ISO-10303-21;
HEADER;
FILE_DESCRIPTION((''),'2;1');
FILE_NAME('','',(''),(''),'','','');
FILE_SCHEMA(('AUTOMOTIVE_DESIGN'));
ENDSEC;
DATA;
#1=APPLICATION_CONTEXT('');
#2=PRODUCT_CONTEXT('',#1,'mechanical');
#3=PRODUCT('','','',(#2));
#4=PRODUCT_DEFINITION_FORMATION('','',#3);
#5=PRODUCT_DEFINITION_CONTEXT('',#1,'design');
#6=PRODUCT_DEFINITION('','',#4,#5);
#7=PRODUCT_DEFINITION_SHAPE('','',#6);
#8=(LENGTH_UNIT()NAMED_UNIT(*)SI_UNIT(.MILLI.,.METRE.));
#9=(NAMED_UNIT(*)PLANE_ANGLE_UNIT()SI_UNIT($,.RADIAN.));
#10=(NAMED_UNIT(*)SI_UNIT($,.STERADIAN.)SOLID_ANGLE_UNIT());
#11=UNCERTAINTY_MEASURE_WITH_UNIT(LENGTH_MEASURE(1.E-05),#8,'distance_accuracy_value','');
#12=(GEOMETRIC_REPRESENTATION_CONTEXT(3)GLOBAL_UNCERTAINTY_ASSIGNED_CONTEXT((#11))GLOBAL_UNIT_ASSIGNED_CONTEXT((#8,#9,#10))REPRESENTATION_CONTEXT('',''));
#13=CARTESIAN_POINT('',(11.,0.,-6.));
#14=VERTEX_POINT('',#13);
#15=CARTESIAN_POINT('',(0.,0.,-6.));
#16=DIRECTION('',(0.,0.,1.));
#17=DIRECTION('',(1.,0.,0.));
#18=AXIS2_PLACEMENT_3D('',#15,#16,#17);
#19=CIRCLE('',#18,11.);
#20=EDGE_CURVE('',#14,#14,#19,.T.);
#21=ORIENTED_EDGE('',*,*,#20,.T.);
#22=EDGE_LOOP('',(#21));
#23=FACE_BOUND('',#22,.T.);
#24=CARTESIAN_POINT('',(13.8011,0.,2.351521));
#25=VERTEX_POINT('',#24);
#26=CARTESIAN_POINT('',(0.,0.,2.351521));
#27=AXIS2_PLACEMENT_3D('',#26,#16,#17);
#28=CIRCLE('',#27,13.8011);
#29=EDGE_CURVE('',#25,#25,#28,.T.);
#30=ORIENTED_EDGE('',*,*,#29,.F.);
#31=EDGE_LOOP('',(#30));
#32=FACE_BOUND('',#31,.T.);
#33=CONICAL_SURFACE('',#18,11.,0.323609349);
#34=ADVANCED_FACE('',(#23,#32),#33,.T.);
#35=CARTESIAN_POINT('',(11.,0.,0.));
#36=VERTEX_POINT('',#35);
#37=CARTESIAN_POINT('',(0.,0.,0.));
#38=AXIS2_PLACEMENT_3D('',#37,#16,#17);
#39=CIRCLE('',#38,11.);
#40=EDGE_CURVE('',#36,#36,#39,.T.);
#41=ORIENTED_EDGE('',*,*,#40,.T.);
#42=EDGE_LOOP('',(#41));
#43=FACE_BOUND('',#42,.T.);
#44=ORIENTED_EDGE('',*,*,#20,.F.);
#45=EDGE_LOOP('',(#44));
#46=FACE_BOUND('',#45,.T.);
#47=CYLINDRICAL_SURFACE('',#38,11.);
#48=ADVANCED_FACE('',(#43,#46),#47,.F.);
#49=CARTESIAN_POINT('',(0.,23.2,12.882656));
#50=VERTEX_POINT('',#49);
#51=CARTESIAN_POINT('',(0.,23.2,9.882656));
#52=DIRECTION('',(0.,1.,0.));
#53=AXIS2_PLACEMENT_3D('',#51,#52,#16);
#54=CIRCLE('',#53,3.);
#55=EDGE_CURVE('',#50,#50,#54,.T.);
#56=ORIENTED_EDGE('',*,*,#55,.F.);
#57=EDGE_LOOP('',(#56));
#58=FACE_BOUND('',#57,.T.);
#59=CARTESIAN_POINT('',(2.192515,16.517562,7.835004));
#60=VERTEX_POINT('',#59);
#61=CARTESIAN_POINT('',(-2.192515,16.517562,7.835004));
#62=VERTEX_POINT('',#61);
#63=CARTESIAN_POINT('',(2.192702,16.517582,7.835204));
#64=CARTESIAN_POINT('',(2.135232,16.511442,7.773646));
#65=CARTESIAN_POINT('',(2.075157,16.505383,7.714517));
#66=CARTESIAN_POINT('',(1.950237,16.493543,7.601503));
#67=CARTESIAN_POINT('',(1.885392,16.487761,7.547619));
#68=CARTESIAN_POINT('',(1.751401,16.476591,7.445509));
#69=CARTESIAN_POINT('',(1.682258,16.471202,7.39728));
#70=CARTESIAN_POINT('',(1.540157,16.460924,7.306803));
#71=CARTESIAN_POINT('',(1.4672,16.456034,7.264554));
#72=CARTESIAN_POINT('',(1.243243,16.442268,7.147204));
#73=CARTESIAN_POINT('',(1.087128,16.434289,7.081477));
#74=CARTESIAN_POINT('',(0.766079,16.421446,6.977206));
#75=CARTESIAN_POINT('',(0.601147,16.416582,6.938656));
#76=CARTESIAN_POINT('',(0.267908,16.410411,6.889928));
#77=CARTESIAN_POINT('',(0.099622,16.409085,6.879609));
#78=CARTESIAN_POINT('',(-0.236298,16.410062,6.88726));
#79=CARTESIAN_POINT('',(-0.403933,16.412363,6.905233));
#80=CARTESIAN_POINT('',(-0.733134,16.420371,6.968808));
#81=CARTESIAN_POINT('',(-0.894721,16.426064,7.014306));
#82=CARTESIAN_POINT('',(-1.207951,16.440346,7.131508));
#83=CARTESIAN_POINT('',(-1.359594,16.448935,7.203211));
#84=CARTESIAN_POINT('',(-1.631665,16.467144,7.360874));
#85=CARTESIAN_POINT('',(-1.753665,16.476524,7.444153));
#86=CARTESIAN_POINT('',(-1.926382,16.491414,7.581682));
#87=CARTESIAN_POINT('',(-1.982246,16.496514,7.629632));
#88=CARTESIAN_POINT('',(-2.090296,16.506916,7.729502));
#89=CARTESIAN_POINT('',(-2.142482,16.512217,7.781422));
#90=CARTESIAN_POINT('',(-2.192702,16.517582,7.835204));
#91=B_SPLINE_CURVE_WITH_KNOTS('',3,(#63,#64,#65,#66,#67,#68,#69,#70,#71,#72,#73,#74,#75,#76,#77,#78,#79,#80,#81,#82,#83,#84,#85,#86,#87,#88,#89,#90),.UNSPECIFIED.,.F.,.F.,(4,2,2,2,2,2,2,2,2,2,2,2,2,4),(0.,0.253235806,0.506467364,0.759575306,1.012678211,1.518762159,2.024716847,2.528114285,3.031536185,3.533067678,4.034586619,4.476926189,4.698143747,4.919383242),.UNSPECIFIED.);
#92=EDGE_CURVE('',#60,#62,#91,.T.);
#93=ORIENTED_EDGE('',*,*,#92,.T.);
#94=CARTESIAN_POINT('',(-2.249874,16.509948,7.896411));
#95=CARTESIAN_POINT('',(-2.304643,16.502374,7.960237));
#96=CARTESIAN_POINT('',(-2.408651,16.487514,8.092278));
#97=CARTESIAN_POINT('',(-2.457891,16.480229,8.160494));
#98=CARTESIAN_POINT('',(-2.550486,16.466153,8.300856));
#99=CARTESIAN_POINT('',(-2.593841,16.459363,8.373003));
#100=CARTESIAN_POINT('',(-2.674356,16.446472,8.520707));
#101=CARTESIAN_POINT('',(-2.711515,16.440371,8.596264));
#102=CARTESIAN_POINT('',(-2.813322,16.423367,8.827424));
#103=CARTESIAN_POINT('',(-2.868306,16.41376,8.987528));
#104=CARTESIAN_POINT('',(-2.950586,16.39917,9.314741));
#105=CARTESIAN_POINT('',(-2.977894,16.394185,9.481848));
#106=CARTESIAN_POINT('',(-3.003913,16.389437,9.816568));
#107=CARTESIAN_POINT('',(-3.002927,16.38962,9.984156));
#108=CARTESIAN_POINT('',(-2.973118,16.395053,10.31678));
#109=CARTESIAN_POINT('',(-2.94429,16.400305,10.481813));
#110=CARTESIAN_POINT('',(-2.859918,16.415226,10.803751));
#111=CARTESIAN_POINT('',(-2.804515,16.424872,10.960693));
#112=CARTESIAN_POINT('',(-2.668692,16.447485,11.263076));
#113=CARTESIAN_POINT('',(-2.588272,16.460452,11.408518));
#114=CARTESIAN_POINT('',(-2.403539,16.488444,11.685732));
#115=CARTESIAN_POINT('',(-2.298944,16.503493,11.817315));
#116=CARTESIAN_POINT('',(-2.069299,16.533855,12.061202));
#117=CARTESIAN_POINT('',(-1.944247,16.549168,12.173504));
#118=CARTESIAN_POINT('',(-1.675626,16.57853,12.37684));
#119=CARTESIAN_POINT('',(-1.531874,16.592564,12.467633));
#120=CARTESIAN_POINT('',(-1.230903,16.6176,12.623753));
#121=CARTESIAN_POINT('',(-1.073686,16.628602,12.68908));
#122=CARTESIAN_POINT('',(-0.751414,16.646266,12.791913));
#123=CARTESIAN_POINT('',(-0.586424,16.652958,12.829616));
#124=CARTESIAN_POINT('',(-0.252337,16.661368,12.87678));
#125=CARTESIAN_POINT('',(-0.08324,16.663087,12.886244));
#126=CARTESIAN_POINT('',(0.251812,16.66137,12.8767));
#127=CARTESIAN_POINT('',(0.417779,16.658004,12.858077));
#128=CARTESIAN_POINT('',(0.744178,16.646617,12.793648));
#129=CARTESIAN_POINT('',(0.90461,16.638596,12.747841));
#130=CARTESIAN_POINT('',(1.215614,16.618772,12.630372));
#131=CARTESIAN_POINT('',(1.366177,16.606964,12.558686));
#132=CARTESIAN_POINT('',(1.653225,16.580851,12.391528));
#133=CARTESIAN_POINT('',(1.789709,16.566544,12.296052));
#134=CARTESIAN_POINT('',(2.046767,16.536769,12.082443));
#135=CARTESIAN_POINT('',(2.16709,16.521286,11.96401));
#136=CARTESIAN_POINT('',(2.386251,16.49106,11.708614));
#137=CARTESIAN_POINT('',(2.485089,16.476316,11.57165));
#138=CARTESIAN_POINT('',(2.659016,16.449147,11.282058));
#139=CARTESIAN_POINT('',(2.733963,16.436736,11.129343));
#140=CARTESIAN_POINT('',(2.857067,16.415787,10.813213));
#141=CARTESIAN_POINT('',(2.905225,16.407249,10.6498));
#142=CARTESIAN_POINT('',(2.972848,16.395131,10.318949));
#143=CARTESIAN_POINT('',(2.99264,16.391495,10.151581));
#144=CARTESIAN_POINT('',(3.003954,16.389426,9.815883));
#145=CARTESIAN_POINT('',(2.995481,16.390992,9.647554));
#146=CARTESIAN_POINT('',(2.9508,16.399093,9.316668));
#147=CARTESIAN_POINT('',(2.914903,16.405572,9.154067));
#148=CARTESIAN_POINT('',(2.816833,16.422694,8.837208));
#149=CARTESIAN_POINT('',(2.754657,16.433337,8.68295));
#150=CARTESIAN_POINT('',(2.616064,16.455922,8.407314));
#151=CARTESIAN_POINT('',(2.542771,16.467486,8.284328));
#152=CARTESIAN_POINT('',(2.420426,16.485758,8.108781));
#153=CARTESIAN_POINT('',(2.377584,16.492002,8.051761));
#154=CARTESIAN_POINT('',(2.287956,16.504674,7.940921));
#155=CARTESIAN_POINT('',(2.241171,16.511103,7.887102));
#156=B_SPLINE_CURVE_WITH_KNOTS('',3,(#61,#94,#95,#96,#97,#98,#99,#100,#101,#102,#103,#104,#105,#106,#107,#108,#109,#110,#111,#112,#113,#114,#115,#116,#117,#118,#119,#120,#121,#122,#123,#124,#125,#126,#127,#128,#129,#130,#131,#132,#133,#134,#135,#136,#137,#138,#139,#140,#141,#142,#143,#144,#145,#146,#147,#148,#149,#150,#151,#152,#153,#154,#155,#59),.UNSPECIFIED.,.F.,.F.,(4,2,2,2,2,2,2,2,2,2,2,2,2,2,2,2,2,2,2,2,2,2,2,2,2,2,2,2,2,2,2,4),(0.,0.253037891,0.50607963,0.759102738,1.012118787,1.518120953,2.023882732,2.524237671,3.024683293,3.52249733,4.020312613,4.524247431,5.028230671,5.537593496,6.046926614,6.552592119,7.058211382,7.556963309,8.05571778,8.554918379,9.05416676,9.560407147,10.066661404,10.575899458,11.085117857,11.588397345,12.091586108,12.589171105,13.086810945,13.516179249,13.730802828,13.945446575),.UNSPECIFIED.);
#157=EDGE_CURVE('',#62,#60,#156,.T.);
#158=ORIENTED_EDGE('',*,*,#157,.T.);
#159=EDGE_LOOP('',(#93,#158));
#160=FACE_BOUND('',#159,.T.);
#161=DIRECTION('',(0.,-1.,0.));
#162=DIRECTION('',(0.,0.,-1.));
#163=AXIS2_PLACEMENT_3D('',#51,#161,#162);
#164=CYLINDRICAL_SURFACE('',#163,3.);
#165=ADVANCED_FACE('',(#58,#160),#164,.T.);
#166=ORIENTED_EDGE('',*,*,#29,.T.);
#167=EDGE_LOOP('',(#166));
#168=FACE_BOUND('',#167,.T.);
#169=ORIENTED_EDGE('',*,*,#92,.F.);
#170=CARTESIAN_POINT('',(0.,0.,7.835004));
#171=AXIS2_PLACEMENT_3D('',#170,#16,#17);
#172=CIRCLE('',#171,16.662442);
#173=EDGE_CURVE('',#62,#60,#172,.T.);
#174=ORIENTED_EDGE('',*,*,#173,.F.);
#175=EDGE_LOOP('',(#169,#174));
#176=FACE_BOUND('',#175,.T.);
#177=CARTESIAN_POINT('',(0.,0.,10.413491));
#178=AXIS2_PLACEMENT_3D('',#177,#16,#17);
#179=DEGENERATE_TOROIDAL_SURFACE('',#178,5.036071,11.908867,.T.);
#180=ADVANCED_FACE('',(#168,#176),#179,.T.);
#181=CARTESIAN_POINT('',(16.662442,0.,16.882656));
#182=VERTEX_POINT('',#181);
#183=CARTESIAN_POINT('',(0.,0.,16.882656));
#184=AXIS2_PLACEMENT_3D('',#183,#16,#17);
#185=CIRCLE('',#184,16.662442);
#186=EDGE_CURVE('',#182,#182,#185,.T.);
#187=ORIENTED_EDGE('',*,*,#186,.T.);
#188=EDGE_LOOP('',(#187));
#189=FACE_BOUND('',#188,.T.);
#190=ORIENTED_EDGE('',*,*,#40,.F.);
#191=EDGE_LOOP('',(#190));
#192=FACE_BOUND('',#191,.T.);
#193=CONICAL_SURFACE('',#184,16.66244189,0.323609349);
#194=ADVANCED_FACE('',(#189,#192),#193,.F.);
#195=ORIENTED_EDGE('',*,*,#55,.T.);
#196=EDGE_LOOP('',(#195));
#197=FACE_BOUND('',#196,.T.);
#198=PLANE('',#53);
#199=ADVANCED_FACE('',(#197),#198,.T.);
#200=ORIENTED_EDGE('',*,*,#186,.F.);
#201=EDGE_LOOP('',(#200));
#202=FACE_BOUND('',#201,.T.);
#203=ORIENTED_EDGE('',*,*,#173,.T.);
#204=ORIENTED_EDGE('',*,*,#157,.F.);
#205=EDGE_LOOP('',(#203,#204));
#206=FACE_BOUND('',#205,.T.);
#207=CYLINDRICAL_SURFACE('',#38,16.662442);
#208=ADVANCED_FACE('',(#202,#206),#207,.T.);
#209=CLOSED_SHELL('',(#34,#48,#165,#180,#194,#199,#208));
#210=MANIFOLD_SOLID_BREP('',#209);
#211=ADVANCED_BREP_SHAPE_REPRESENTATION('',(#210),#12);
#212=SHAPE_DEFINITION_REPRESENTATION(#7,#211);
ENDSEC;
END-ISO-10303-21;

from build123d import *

# Parameters (mm, degrees)
BOSS_EXTRUDE1_START = 16.2
SKETCH3_R           = 3
BOSS_EXTRUDE1_DEPTH = 7


with BuildPart() as part:
    # Sketch2 → Revolve1 (revolve)
    with BuildSketch(Plane(origin=(0, 0, 0), x_dir=(1, 0, 0), z_dir=(0, 1, 0)), mode=Mode.PRIVATE) as revolve1_sk:
        with BuildLine():
            Line((-11, 0), (-11, 6))
            Line((-11, 6), (-13.801099595, -2.351520775))
            ThreePointArc((-13.801099595, -2.351520775), (-15.59397994, -4.904257833), (-16.66244189, -7.835004407))
            Line((-16.66244189, -7.835004407), (-16.66244189, -16.882656067))
            Line((-16.66244189, -16.882656067), (-11, 0))
        make_face()
    revolve(revolve1_sk.sketch.rotate(Axis((0, 0, 0), (0, 0, -1)), 180), axis=Axis((0, 0, 0), (0, 0, -1)))

    # Sketch3 → Boss-Extrude1 (add)
    with BuildSketch(Plane(origin=(0, 0, 0), x_dir=(1, 0, 0), z_dir=(0, 1, 0)).offset(BOSS_EXTRUDE1_START)):
        with Locations(Location((0, -9.882656067, 0), (0, 0, 136.956724762))):
            Circle(SKETCH3_R)
    extrude(amount=BOSS_EXTRUDE1_DEPTH)


solid = part.part
